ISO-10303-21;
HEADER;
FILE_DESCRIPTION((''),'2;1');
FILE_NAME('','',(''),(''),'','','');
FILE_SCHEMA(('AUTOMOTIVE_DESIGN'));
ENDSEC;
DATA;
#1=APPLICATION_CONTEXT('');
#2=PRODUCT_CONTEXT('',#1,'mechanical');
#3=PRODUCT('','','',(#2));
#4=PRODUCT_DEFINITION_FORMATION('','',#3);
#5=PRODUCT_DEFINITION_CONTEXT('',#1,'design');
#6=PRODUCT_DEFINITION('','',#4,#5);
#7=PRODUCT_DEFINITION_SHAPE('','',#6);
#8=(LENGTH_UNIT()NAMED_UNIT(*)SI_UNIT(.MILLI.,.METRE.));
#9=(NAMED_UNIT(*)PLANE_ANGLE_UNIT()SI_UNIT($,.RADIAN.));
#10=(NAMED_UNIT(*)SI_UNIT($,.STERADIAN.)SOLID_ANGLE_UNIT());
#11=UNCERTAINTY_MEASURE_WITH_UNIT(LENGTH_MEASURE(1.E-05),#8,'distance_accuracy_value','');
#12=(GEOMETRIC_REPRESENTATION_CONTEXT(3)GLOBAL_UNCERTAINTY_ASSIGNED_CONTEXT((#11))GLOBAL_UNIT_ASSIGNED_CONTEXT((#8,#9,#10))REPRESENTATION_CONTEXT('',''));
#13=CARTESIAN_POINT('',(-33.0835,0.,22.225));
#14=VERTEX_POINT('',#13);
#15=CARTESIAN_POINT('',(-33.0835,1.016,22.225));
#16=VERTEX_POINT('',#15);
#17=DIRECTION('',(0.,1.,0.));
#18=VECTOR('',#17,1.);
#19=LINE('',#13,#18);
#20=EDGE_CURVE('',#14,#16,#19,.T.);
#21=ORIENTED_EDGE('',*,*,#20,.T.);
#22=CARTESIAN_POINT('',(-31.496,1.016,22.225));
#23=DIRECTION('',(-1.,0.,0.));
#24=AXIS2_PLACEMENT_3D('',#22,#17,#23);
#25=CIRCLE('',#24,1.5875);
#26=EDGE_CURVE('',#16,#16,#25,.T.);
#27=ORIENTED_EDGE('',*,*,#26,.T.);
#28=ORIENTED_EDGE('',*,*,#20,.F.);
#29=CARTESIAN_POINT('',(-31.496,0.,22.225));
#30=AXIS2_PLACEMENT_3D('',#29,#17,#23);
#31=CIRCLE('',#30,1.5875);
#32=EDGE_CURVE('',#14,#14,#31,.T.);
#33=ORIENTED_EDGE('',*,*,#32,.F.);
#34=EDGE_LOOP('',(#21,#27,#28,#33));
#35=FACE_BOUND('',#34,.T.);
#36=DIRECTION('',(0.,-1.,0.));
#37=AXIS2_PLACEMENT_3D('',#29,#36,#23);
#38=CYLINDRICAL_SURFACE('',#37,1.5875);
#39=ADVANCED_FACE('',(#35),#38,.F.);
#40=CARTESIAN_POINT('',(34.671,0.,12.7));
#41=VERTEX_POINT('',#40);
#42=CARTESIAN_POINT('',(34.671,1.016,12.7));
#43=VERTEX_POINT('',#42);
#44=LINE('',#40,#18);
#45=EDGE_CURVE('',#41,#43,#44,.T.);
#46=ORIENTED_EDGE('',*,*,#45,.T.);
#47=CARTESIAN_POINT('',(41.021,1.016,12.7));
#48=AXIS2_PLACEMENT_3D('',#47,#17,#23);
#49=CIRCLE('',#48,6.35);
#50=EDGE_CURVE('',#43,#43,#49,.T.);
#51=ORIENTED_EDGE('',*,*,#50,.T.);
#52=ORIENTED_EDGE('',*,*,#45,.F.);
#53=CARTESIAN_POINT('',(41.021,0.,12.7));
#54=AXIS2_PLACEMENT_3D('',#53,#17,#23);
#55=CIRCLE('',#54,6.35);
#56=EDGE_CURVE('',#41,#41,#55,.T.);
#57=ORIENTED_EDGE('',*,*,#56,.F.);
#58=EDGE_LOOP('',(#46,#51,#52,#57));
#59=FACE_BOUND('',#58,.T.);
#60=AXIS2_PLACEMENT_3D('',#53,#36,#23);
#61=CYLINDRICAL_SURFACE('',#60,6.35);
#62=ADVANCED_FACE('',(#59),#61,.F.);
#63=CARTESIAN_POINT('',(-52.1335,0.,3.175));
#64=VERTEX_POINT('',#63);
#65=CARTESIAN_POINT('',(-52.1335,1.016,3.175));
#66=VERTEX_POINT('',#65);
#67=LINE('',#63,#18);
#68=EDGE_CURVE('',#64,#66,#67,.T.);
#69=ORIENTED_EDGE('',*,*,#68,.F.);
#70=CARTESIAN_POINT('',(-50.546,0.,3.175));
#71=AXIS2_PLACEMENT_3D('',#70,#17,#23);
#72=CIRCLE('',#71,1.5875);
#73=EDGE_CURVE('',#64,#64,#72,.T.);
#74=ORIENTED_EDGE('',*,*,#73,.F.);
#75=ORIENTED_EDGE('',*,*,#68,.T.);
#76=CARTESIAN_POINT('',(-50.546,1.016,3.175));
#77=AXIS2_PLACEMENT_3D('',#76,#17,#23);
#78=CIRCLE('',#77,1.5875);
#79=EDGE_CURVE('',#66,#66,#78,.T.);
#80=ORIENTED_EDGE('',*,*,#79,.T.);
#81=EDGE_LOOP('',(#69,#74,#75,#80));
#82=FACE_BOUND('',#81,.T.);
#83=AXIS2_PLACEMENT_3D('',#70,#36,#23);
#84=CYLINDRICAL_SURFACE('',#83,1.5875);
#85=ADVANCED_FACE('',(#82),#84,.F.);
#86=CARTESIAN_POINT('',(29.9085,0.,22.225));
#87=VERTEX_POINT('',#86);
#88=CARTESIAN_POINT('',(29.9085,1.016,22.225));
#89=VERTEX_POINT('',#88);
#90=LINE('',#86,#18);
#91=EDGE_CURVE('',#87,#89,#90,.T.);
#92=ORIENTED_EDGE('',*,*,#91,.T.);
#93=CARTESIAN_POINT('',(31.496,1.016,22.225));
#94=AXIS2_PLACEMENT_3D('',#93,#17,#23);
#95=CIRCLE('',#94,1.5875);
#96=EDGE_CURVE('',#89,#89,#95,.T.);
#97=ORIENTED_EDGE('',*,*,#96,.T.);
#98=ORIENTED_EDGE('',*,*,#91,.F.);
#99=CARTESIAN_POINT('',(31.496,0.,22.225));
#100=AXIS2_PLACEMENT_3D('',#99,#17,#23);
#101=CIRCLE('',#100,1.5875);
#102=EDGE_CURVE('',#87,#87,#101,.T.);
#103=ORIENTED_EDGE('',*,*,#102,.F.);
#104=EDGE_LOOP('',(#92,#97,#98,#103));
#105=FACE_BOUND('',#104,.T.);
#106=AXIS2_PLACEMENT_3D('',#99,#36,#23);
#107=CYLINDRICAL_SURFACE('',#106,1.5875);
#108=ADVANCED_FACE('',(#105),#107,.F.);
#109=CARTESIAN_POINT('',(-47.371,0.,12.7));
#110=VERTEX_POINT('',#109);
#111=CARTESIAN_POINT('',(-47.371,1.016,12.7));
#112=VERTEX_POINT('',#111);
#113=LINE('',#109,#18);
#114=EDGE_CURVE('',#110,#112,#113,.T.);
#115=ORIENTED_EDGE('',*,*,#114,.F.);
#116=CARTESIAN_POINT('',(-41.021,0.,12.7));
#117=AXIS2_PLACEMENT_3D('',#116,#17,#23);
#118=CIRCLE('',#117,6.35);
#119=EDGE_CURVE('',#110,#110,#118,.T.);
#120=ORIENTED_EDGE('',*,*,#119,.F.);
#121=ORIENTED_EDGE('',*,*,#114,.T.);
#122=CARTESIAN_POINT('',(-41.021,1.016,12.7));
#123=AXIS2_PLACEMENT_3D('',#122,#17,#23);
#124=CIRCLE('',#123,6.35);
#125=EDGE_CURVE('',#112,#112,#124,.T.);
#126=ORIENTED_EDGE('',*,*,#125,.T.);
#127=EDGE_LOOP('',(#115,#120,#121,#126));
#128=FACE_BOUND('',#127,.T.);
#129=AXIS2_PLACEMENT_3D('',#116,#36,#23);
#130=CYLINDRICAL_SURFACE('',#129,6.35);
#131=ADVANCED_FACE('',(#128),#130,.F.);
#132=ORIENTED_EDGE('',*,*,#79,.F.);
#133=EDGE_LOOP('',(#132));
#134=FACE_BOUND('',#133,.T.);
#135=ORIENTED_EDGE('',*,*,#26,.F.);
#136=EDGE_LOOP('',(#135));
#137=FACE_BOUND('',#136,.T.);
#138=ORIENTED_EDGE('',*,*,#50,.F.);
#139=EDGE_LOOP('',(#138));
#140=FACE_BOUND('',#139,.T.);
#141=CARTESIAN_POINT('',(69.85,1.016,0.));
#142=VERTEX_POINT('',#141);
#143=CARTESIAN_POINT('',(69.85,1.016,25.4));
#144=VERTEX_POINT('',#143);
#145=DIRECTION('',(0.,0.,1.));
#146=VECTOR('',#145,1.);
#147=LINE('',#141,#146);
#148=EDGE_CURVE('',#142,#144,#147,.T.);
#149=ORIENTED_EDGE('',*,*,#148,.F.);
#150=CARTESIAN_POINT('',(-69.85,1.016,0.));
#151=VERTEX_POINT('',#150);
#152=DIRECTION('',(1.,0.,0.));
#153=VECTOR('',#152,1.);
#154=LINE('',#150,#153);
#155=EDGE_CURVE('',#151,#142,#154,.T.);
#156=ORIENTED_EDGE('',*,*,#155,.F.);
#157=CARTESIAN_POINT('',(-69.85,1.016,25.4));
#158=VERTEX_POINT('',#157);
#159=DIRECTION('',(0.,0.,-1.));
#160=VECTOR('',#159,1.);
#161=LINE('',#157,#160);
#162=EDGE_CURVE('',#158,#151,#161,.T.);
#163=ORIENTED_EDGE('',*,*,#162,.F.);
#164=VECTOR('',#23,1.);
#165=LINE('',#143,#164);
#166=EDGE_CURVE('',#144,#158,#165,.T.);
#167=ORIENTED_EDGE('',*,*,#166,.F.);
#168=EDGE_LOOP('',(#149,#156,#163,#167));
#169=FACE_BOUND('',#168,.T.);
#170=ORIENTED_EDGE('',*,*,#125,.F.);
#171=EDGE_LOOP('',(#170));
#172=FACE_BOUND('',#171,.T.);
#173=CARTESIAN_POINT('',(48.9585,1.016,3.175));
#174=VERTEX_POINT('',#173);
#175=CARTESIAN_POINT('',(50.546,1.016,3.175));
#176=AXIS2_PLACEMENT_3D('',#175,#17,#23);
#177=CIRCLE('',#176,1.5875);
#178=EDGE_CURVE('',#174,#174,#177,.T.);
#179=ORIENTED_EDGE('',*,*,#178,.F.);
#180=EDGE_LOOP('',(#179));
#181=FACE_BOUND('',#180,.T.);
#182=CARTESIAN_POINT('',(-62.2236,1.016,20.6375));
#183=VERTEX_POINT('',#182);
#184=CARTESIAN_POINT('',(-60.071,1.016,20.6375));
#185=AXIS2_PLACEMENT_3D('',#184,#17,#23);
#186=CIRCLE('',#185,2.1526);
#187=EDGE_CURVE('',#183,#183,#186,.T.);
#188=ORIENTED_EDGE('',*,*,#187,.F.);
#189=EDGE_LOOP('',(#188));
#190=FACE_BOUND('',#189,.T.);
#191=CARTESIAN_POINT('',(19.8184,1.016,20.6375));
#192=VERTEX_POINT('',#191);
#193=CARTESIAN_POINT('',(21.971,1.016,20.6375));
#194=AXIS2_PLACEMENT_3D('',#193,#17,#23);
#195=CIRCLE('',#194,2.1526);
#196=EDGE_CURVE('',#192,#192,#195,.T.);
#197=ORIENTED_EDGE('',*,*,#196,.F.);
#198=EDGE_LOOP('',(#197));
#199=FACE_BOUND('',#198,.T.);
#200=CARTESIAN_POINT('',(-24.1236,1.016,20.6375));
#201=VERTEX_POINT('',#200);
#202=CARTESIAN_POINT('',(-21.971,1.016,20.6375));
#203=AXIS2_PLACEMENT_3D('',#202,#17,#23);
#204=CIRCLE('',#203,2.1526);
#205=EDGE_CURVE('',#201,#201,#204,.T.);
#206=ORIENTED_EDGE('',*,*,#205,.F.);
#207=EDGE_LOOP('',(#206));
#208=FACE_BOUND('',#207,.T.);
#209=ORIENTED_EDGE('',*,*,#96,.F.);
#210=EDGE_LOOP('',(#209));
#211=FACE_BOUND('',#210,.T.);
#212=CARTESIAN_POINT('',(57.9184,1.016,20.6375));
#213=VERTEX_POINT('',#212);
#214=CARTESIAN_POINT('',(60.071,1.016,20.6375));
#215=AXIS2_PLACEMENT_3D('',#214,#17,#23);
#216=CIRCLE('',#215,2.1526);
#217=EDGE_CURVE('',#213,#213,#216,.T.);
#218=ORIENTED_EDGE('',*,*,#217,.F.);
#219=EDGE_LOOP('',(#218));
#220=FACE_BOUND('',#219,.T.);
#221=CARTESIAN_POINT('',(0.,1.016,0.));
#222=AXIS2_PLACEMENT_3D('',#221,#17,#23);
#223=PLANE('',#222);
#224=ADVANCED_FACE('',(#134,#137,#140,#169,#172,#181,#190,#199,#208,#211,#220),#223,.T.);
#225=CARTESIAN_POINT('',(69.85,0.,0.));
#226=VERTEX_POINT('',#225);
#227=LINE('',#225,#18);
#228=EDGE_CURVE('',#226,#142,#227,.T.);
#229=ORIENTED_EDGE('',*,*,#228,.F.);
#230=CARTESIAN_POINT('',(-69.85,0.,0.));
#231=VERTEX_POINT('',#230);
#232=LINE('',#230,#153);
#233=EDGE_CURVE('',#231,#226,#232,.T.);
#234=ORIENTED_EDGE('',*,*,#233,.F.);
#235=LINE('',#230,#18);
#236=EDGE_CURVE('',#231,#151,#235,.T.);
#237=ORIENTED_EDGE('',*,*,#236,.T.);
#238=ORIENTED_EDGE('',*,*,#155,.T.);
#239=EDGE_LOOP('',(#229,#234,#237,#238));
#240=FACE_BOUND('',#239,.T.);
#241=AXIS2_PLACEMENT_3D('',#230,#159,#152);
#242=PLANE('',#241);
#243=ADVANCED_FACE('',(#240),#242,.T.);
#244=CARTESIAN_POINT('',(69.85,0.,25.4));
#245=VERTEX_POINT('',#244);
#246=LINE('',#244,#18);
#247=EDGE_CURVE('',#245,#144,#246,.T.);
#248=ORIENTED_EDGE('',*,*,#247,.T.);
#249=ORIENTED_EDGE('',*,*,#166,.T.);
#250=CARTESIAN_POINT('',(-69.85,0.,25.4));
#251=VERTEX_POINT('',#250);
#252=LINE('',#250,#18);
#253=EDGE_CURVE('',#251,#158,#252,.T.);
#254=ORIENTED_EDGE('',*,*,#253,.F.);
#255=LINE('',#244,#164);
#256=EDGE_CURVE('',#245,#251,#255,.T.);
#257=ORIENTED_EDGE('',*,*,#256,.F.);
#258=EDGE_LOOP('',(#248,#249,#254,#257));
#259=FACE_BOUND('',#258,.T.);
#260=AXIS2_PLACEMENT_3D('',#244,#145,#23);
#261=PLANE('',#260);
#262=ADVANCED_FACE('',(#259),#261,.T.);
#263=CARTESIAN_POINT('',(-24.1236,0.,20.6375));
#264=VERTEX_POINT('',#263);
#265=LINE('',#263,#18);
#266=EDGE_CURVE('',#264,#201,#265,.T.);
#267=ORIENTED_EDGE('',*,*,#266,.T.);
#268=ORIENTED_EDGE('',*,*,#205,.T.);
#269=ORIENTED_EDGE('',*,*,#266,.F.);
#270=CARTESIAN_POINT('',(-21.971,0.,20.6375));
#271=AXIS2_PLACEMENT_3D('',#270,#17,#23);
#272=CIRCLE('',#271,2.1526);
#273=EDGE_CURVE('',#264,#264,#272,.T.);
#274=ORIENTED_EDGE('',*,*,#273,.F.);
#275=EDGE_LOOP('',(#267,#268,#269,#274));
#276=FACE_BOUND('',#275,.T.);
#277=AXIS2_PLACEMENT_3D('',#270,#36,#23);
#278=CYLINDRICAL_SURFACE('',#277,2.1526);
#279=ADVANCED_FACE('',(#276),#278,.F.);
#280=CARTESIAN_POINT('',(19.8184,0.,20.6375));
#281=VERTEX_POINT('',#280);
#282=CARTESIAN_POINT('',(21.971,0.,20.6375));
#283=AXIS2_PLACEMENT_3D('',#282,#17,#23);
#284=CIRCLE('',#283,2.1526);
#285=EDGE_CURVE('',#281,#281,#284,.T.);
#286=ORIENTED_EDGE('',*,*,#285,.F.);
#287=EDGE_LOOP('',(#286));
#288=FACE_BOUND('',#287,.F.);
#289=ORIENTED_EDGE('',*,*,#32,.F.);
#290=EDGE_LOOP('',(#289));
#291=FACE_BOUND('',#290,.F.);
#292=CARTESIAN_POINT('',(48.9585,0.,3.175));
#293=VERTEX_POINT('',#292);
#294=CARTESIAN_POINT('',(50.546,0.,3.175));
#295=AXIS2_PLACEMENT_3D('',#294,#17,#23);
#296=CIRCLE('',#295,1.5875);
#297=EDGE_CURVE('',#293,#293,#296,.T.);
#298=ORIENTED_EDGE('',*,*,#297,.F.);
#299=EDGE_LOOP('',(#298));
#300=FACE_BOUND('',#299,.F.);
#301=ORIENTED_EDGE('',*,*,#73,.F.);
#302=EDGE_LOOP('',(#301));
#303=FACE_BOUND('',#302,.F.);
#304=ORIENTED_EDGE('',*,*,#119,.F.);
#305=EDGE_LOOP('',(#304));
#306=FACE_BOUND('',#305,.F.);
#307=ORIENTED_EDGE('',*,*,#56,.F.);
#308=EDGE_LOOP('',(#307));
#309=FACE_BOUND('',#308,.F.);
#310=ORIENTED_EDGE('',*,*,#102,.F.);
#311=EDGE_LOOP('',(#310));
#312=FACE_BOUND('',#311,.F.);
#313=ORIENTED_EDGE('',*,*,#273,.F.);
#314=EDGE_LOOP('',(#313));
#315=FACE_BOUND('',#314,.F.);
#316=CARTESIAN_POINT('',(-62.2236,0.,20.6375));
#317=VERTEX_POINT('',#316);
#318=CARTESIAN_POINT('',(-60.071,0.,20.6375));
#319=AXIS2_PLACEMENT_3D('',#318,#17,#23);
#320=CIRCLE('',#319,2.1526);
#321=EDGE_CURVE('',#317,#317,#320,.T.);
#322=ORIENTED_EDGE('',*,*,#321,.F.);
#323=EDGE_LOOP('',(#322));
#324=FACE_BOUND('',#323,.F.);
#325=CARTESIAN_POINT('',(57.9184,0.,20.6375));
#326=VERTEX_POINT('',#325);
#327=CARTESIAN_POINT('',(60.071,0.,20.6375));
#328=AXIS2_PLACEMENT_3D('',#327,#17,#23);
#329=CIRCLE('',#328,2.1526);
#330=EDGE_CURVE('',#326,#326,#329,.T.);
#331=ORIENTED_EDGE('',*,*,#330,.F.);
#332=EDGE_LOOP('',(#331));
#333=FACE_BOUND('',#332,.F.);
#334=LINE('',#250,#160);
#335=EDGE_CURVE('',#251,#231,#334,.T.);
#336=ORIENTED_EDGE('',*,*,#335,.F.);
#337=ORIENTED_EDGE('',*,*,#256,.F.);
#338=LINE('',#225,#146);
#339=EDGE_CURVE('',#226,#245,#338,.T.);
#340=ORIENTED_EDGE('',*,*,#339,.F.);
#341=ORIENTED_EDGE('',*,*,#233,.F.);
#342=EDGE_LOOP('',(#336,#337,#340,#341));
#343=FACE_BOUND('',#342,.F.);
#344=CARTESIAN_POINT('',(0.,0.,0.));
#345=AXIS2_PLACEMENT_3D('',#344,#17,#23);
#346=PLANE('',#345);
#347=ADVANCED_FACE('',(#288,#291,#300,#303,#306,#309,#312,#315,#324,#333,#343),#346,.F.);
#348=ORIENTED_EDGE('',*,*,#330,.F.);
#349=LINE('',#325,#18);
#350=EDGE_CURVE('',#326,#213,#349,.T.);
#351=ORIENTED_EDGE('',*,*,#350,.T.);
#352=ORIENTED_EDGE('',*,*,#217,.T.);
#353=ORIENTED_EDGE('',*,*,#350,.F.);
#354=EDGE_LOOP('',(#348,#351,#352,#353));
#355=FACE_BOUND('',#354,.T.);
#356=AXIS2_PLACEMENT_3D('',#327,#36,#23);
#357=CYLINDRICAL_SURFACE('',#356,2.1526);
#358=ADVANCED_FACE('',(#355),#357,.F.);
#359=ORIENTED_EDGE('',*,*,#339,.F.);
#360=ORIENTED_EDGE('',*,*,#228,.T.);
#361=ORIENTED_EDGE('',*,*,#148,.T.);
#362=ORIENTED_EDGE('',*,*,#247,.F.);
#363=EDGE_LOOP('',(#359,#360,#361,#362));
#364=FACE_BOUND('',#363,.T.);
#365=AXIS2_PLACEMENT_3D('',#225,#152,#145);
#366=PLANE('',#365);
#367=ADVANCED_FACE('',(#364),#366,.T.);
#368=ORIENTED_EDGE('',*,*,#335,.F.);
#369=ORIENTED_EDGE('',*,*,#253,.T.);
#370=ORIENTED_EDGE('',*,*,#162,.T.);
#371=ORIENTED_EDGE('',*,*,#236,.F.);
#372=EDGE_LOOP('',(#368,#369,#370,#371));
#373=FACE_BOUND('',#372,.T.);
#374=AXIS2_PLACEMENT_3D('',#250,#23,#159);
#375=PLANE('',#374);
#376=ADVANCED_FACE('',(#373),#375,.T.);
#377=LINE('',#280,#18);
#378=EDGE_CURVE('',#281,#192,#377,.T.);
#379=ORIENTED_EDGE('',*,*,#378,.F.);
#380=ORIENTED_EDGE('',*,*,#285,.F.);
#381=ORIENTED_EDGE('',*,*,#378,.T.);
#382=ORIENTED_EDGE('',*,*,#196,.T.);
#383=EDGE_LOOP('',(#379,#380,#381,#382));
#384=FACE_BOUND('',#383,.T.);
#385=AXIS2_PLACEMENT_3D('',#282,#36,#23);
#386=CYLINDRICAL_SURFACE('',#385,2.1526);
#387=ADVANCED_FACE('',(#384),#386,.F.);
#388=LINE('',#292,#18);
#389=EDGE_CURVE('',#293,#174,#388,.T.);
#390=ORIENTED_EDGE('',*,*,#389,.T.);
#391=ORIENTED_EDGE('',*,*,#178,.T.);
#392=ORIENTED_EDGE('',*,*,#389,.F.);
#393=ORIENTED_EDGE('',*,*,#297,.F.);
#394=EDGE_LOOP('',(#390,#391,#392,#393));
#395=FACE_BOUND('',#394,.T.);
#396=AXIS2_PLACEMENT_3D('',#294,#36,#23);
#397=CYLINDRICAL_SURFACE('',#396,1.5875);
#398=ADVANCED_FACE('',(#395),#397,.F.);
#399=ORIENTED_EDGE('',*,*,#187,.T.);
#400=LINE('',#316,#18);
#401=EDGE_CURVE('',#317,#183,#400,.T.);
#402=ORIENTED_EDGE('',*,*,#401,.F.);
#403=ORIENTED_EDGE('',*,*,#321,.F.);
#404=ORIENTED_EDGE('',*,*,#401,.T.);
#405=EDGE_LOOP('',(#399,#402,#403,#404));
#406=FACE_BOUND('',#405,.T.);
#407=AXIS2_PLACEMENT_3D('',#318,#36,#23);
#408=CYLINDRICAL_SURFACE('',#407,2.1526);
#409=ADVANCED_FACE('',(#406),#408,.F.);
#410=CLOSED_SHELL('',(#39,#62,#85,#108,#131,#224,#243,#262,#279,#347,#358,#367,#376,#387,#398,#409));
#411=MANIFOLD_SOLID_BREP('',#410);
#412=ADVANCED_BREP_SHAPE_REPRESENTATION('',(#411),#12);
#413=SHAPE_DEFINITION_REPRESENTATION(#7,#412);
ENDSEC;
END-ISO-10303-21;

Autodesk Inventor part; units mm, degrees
ref_plane "YZ Plane" through (0, 0, 0) normal (1, 0, 0) x (0, 1, 0)
ref_plane "XZ Plane" through (0, 0, 0) normal (0, 1, 0) x (-1, 0, 0)
ref_plane "XY Plane" through (0, 0, 0) normal (0, 0, 1) x (1, 0, 0)
sketch "Sketch1" plane through (0, 0, 0) normal (0, 1, 0) x (-1, 0, 0)
  line L0 (-69.85, 25.4) -> (69.85, 25.4)
  line L1 (69.85, 25.4) -> (69.85, 0)
  line L2 (69.85, 0) -> (-69.85, 0)
  line L3 (-69.85, 0) -> (-69.85, 25.4)
  circle A0 centre (-41.021, 12.7) radius 6.35
  circle A1 centre (-31.496, 22.225) radius 1.5875
  circle A2 centre (-50.546, 3.175) radius 1.5875
  line L4 (-53.721, 25.4) -> (-53.721, 0) construction
  line L5 (53.721, 25.4) -> (53.721, 0) construction
  line L6 (-28.321, 25.4) -> (-28.321, 0) construction
  line L7 (28.321, 25.4) -> (28.321, 0) construction
  line L8 (0, 0) -> (0, 25.4) construction
  circle A3 centre (41.021, 12.7) radius 6.35
  circle A4 centre (31.496, 22.225) radius 1.5875
  circle A5 centre (50.546, 3.175) radius 1.5875
  circle A6 centre (-60.071, 20.6375) radius 2.1526
  circle A7 centre (-21.971, 20.6375) radius 2.1526
  circle A8 centre (60.071, 20.6375) radius 2.1526
  circle A9 centre (21.971, 20.6375) radius 2.1526
  dimension "d0" = 139.7
  dimension "d2" = 69.85
  dimension "d3" = 25.4
  dimension "d4" = 12.7
  dimension "d5" = 3.175
  dimension "d6" = 3.175
  dimension "d7" = 107.442
  dimension "d8" = 16.129
  dimension "d9" = 3.175
  dimension "d10" = 3.175
  dimension "d11" = 25.4
  dimension "d12" = 25.4
  dimension "d13" = 3.175
  dimension "d14" = 3.175
  dimension "d15" = 12.7
  dimension "d16" = 12.7
  dimension "d17" = 4.3053
  dimension "d18" = 4.3053
  dimension "d19" = 4.7625
  dimension "d20" = 4.7625
  dimension "d21" = 6.35
  dimension "d22" = 6.35
extrude "Extrusion1" add sketch "Sketch1" along normal blind 1.016
equation "\"d2\" = 0.5 * d0"
equation "\"d8\" = -0.5 * d7 + 0.5 * d0"
properties part number "launcher_connector"
